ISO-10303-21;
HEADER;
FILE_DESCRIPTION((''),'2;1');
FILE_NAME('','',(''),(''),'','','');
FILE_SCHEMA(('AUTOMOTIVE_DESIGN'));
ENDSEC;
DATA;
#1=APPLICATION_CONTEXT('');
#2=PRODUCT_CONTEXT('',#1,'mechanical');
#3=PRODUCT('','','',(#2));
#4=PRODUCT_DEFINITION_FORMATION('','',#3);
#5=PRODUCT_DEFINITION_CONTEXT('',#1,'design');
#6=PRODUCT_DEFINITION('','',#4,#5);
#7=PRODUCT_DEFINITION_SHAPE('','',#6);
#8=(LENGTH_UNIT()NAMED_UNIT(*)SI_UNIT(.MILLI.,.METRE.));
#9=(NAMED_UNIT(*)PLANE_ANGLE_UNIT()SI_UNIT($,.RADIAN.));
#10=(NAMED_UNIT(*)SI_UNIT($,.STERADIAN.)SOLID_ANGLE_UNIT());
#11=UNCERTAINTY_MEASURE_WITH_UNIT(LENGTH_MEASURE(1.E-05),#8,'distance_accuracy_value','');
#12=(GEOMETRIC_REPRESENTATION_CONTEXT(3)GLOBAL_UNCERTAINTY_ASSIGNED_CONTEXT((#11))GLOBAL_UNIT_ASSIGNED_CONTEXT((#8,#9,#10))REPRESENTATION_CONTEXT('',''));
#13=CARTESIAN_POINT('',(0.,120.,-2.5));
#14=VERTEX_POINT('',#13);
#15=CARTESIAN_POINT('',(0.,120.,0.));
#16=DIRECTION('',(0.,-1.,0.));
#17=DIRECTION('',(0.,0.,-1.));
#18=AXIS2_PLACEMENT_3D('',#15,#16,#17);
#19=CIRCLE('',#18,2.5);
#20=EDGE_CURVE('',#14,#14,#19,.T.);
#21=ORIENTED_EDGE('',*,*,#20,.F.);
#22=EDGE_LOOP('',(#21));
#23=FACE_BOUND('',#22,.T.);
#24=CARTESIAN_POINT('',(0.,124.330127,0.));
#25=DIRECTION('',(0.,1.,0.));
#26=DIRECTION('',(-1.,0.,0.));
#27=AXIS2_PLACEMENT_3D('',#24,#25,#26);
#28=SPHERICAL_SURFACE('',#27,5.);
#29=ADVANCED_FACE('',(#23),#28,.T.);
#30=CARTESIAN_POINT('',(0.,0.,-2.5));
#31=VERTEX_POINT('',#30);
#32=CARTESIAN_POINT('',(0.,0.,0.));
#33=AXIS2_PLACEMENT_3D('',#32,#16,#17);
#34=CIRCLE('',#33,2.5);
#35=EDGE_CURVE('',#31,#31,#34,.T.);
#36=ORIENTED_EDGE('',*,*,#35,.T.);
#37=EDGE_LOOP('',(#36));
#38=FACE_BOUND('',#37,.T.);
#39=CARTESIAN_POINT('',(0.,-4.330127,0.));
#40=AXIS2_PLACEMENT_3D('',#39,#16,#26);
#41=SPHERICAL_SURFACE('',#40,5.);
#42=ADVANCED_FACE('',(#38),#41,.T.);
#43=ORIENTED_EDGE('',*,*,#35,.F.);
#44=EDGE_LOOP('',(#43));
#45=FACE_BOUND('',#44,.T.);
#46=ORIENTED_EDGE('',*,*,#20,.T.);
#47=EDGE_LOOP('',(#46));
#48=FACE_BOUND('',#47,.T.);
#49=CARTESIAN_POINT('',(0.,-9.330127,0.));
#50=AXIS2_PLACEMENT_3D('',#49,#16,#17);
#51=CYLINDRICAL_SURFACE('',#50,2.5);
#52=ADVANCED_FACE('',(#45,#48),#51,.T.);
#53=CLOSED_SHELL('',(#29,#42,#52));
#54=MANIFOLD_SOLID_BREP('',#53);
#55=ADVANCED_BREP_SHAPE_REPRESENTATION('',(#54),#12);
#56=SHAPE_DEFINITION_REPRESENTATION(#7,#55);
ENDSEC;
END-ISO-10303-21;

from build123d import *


with BuildPart() as part:
    # Sketch1 → Revolve1 (revolve)
    with BuildSketch(Plane.XY, mode=Mode.PRIVATE) as revolve1_sk:
        with BuildLine():
            Line((0, -9.330127019), (0, 60))
            Line((0, 60), (2.5, 60))
            Line((2.5, 60), (2.5, 0))
            ThreePointArc((2.5, 0), (4.829629131, -5.624222244), (0, -9.330127019))
        make_face()
    revolve1 = revolve(revolve1_sk.sketch.rotate(Axis((0, -9.330127019, 0), (0, 1, 0)), 180), axis=Axis((0, -9.330127019, 0), (0, 1, 0)))

    # Mirror1: Revolve1 across plane
    add(revolve1.mirror(Plane(origin=(2.5, 60, 0), x_dir=(0, 0, 1), z_dir=(0, 1, 0))))


solid = part.part
